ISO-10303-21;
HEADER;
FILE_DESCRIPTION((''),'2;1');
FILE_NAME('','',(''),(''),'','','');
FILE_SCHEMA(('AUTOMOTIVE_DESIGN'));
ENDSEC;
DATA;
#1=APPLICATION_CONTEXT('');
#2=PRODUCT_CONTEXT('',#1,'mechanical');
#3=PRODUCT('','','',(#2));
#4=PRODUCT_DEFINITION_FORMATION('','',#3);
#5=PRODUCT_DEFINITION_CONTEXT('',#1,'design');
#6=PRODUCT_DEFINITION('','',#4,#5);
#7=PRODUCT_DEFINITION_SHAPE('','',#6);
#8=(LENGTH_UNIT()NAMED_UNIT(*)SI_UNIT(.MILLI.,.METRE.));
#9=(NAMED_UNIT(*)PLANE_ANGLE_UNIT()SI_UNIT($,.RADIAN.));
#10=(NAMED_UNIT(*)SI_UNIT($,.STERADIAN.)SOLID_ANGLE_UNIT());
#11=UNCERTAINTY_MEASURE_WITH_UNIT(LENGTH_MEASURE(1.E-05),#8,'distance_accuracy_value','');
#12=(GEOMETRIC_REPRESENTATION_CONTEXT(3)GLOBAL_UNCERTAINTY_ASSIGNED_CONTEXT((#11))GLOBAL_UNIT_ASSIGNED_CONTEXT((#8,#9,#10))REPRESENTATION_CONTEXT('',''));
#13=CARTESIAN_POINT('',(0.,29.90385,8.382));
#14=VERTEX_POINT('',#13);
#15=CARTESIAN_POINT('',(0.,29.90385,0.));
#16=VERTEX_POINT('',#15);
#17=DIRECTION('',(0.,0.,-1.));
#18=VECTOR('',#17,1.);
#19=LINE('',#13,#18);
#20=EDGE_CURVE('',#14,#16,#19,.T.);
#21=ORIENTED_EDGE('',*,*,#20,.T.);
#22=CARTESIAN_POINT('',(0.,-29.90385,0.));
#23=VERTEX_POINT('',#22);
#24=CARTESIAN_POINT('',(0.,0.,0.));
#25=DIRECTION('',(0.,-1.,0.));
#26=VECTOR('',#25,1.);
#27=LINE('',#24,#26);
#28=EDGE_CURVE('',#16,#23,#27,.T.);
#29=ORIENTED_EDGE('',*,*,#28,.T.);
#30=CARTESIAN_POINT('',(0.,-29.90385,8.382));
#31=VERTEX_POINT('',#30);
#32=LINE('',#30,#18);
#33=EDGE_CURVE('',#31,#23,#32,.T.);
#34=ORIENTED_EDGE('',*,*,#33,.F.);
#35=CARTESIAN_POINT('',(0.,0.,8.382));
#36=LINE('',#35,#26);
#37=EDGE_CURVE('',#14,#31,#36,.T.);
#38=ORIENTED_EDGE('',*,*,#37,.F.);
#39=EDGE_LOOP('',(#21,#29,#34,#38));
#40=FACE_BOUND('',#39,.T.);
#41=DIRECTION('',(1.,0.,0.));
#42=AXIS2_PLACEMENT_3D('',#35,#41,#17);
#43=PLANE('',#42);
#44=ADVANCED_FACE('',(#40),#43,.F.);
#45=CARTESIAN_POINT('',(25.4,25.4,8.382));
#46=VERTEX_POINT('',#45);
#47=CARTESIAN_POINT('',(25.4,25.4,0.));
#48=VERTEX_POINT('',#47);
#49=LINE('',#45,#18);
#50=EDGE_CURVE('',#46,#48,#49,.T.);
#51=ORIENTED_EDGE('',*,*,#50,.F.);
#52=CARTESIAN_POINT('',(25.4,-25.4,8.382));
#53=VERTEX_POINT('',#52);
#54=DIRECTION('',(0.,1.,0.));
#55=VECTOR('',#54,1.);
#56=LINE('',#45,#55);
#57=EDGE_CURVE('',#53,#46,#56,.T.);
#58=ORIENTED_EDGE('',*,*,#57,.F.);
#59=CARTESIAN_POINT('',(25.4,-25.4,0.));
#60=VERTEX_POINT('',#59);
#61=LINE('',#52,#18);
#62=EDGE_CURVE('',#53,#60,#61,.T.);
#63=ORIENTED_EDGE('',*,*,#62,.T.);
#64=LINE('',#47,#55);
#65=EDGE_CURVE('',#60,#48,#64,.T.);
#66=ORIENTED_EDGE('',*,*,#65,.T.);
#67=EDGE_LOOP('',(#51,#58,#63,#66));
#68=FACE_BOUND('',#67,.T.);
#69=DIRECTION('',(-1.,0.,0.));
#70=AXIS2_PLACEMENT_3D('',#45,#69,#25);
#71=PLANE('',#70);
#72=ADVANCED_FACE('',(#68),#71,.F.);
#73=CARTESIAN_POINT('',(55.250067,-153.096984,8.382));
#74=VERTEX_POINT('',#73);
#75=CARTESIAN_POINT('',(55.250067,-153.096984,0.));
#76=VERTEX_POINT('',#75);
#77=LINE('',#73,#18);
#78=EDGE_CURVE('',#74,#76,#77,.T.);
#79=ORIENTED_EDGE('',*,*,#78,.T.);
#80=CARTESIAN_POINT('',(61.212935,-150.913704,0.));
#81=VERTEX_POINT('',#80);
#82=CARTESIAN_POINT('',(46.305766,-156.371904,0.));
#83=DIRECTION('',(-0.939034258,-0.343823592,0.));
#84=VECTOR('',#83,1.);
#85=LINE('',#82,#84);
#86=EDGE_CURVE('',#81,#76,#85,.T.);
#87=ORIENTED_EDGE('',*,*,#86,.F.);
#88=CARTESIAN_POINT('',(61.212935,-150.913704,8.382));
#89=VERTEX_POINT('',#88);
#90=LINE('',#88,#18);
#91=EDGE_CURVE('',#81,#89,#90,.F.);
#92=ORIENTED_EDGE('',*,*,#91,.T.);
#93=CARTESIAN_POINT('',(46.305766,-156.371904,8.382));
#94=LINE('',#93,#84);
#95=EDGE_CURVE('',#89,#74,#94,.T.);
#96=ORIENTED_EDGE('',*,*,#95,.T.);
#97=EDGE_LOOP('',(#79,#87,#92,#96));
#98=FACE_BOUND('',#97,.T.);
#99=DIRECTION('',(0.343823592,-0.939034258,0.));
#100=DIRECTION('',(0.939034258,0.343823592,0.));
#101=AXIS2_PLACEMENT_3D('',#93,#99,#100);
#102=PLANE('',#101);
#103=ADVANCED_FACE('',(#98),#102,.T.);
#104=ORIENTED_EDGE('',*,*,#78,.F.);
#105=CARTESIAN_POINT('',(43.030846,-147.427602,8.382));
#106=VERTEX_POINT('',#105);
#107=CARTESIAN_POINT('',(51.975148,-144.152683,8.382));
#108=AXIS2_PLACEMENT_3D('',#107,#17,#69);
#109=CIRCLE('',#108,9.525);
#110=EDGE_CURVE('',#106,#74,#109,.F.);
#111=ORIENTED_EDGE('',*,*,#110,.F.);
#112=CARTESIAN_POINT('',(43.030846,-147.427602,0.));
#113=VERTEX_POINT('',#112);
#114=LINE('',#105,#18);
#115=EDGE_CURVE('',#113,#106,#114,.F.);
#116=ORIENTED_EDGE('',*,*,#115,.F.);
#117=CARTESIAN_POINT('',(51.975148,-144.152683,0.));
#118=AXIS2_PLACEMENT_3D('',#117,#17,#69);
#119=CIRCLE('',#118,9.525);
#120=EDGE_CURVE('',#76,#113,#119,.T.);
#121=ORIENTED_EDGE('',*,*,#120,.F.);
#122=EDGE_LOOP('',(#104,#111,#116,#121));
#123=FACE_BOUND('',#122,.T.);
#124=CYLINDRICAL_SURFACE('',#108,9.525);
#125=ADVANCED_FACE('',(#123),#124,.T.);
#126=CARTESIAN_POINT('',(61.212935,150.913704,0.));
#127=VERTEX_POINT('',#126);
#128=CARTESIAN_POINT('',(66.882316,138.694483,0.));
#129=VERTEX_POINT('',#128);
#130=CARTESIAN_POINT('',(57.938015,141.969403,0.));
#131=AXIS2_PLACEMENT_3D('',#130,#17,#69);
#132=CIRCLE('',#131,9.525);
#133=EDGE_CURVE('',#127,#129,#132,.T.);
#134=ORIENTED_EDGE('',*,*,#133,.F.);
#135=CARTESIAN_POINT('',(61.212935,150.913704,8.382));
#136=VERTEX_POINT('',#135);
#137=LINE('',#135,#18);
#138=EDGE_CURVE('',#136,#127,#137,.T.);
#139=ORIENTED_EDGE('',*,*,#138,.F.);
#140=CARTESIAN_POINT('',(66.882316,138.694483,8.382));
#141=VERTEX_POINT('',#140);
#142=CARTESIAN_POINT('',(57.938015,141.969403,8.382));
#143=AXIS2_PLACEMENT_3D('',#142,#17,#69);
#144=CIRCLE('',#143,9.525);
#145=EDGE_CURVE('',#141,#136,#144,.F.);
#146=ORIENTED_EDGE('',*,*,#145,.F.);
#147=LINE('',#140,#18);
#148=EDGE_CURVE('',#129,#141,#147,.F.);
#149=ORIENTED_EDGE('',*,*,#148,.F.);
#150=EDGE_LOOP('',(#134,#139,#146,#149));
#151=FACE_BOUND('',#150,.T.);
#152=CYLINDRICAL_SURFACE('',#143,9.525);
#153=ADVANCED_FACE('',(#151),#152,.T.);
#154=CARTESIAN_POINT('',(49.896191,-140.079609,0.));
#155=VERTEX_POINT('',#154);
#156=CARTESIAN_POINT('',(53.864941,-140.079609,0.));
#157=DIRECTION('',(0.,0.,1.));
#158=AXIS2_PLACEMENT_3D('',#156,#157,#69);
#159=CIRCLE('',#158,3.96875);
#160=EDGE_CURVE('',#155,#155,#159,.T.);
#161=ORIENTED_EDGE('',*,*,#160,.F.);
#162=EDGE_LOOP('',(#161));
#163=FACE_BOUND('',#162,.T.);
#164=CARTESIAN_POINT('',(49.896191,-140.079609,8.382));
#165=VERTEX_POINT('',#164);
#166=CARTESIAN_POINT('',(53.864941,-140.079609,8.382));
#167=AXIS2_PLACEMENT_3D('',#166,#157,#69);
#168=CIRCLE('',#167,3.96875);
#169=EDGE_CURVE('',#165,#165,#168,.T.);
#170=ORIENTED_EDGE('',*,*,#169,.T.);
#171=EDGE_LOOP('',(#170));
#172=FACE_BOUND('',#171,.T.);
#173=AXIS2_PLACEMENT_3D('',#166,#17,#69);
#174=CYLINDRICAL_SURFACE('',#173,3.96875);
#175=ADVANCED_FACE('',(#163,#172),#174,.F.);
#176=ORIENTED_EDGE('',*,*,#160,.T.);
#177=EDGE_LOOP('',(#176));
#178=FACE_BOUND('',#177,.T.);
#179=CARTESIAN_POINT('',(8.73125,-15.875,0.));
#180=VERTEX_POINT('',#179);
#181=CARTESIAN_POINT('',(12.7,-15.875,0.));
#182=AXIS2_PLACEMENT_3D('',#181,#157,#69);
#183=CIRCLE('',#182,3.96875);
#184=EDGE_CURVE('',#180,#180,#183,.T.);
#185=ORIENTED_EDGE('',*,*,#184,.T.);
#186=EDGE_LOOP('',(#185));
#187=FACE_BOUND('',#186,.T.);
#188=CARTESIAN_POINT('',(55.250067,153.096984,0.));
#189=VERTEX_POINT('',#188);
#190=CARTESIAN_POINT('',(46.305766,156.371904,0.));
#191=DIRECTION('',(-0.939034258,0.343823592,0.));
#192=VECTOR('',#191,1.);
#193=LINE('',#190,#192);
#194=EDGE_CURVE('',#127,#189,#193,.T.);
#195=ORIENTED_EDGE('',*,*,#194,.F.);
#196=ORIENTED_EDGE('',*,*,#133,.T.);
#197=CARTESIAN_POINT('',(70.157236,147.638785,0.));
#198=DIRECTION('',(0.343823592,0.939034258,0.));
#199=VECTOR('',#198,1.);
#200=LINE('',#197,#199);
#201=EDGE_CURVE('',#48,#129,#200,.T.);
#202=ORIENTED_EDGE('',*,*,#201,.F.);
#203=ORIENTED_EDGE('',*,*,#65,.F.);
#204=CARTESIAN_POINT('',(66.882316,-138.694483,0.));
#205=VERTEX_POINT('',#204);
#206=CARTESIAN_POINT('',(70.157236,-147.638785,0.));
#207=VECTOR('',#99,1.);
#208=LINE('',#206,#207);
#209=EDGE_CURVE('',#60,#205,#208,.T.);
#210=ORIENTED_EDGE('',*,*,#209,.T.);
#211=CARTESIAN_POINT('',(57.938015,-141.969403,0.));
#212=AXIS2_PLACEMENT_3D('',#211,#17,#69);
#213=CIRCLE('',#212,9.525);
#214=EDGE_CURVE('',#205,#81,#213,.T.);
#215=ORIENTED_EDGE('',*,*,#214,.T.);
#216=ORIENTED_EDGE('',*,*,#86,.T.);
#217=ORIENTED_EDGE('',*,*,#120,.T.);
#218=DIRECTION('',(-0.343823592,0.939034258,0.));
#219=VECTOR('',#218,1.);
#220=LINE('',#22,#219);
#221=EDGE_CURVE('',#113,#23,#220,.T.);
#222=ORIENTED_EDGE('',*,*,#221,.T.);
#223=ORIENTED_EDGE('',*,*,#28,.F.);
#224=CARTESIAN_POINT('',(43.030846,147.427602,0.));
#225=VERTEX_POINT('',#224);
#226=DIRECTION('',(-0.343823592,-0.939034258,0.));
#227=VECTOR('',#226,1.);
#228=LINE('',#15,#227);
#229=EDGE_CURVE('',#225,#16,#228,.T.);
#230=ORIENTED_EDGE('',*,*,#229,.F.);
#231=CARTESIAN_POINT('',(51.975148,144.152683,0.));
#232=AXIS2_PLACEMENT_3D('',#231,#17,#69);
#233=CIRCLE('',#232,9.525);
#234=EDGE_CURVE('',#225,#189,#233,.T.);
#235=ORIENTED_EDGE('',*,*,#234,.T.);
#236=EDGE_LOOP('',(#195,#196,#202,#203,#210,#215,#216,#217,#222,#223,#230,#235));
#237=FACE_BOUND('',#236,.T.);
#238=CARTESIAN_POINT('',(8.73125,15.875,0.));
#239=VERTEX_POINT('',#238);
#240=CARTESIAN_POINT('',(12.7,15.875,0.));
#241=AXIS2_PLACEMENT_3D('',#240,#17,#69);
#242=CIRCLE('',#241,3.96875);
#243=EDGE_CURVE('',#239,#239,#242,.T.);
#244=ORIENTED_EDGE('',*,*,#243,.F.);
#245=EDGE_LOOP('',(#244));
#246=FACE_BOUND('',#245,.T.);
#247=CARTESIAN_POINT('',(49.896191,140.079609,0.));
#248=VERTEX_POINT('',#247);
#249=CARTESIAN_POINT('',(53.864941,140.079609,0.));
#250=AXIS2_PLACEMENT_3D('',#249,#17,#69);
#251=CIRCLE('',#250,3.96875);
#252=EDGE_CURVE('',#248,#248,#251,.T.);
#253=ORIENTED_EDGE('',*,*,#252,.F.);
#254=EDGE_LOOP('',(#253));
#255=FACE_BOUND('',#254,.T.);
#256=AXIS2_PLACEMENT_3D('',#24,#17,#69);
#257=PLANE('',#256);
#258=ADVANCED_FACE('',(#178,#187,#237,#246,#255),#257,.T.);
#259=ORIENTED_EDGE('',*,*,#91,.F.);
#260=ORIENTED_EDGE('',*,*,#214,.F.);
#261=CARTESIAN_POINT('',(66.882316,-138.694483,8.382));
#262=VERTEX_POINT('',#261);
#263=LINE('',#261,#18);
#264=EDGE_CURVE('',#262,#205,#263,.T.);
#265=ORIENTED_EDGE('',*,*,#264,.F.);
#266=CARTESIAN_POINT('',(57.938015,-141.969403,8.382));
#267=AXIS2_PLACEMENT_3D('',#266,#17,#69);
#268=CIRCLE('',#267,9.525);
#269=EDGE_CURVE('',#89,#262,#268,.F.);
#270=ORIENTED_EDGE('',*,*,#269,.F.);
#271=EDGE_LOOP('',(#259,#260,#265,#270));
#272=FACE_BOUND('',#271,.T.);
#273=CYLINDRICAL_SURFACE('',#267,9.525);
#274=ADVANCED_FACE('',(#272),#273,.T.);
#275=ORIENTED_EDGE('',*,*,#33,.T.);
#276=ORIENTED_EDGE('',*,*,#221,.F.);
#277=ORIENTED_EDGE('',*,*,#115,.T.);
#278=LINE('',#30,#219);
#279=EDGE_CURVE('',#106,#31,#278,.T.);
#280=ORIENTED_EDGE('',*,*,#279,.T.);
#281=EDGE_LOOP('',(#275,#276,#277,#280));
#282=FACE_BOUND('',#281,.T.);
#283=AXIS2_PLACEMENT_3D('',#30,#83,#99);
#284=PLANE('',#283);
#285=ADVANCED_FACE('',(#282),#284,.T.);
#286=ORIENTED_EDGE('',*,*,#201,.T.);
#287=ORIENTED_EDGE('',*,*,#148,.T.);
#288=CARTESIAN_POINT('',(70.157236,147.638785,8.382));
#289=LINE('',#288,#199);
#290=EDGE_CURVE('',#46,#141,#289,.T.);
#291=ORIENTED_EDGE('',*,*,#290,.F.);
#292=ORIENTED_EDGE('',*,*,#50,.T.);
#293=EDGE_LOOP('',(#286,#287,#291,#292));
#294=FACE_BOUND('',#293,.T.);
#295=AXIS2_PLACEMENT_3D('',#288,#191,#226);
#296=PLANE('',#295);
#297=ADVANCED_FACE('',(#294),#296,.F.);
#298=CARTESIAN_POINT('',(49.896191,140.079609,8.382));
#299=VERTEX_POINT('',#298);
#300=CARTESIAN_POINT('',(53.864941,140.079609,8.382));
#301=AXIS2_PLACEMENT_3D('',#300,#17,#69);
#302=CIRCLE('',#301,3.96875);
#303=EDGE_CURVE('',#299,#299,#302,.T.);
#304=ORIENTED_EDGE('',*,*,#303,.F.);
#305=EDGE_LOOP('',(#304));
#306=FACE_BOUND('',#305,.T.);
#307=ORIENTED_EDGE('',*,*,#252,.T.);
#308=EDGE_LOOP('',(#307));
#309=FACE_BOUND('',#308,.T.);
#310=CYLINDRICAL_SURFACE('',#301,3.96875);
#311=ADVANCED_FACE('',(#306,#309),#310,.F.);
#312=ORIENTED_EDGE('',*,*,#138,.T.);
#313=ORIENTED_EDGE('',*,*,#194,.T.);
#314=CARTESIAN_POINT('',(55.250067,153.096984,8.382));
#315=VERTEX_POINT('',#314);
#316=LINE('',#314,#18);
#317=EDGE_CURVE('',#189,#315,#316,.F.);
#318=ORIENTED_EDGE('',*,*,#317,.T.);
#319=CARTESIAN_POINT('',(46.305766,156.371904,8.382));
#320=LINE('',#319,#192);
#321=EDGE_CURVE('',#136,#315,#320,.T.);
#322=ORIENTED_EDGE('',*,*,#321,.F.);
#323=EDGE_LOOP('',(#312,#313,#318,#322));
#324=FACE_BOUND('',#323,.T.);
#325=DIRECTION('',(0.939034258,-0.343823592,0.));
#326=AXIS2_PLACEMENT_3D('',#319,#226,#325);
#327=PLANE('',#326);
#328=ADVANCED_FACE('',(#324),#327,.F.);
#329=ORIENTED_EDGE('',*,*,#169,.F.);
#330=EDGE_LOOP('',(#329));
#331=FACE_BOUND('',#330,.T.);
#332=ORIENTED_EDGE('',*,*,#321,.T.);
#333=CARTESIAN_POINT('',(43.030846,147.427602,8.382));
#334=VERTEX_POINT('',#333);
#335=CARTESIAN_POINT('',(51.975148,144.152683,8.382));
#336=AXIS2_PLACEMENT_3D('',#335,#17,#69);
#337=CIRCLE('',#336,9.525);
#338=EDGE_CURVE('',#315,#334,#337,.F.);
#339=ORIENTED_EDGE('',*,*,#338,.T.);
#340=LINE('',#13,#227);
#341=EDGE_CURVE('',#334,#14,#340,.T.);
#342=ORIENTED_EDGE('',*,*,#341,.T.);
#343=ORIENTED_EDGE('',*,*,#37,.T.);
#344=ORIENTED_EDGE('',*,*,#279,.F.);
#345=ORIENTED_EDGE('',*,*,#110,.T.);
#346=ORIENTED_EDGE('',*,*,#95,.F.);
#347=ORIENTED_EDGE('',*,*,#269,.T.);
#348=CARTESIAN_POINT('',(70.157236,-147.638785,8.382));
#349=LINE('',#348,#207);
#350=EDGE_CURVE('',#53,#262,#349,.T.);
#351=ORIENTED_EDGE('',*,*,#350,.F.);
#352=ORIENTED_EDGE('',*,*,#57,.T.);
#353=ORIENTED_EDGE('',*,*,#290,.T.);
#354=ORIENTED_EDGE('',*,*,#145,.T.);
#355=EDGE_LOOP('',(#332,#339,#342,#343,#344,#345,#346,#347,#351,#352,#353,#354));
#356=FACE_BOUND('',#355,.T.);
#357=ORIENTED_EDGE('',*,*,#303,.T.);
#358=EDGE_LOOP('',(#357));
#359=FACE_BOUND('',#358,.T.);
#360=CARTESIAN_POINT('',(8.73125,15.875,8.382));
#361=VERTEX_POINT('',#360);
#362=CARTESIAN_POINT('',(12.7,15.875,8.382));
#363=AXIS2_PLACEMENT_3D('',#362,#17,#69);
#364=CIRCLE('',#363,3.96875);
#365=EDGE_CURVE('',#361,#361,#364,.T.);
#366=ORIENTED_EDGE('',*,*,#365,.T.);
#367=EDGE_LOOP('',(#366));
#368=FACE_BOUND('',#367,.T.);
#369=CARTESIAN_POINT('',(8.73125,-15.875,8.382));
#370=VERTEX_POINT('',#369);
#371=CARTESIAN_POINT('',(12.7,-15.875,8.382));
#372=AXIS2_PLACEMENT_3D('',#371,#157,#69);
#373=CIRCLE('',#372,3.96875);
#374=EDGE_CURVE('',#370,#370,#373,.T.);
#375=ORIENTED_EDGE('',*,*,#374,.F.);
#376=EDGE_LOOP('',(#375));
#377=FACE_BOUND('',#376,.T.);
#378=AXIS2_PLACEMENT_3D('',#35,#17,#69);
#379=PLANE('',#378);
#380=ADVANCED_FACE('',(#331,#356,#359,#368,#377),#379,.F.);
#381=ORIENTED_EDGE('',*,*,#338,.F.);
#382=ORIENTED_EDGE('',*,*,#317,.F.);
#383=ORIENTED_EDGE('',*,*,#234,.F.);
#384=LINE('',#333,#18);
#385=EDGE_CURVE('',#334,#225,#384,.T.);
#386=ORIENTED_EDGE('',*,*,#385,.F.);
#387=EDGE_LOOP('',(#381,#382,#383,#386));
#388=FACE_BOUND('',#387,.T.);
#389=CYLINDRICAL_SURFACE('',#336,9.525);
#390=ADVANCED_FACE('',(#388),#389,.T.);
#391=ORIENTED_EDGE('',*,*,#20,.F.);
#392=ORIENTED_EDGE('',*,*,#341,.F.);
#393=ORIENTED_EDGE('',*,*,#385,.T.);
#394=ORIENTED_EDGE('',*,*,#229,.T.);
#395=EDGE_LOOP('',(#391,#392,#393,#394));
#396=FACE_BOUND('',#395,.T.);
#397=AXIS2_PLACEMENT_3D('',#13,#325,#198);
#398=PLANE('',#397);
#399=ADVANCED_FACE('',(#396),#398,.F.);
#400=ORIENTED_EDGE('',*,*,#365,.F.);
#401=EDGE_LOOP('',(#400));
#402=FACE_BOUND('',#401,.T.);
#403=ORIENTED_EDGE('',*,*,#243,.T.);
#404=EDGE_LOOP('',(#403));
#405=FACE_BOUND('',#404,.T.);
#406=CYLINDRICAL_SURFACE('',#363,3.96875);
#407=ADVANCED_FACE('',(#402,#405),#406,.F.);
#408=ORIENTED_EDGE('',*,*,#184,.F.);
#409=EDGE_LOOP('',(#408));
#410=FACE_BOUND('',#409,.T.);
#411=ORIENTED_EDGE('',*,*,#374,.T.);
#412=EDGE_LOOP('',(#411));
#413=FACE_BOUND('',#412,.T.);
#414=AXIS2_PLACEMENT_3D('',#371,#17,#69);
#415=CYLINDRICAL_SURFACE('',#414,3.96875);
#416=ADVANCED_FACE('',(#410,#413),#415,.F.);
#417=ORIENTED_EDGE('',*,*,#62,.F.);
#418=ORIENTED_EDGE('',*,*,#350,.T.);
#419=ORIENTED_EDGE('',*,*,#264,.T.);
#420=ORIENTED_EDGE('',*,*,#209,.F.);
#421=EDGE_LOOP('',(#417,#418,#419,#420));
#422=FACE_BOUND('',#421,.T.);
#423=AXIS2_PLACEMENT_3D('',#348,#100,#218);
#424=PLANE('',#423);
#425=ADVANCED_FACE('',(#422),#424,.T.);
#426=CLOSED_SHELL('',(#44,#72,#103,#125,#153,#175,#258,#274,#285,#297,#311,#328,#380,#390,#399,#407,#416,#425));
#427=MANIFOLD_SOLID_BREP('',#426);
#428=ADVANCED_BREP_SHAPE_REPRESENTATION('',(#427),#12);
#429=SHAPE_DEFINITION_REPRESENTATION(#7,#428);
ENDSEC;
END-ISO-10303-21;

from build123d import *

# Parameters (mm, degrees)
EXTRUDE1_DEPTH       = 8.382
SKETCH2_R            = 3.96875
CUT_EXTRUDE1_DEPTH   = 172.593904288
FILLET4_R            = 9.525
FILLET4_OF_MIRROR1_R = 9.525


with BuildPart() as part:
    # Sketch1 → Extrude1 (new body)
    with BuildSketch(Plane.XY):
        Polygon((0, 0), (0, 29.903849897), (46.305765967, 156.371903759), (70.157236117, 147.638784517), (25.4, 25.4), (25.4, 0), align=None)
    extrude1 = extrude(amount=EXTRUDE1_DEPTH)

    # Sketch2 → Cut-Extrude1 (cut, through all)
    with BuildSketch(Plane(origin=(0, 0, 0), x_dir=(-1, 0, 0), z_dir=(0, 0, -1))):
        with Locations((-53.864941421, 140.079609063)):
            Circle(SKETCH2_R)
        with Locations((-12.7, 15.875)):
            Circle(SKETCH2_R)
    cut_extrude1 = extrude(amount=-CUT_EXTRUDE1_DEPTH, mode=Mode.SUBTRACT)

    # Fillet4
    fillet4_edges = [part.edges().sort_by_distance(p)[0] for p in [
        (46.305765967, 156.371903759, 4.191),
        (70.157236117, 147.638784517, 4.191),
    ]]
    fillet(fillet4_edges, radius=FILLET4_R)

    # Mirror1: Extrude1, Cut-Extrude1 across plane
    add(extrude1.mirror(Plane(origin=(25.4, 0, 8.382), x_dir=(0, 0, 1), z_dir=(0, 1, 0))))
    add(cut_extrude1.mirror(Plane(origin=(25.4, 0, 8.382), x_dir=(0, 0, 1), z_dir=(0, 1, 0))), mode=Mode.SUBTRACT)

    # Fillet4 of Mirror1
    fillet4_of_mirror1_edges = [part.edges().sort_by_distance(p)[0] for p in [
        (46.305765967, -156.371903759, 4.191),
        (70.157236117, -147.638784517, 4.191),
    ]]
    fillet(fillet4_of_mirror1_edges, radius=FILLET4_OF_MIRROR1_R)


solid = part.part
